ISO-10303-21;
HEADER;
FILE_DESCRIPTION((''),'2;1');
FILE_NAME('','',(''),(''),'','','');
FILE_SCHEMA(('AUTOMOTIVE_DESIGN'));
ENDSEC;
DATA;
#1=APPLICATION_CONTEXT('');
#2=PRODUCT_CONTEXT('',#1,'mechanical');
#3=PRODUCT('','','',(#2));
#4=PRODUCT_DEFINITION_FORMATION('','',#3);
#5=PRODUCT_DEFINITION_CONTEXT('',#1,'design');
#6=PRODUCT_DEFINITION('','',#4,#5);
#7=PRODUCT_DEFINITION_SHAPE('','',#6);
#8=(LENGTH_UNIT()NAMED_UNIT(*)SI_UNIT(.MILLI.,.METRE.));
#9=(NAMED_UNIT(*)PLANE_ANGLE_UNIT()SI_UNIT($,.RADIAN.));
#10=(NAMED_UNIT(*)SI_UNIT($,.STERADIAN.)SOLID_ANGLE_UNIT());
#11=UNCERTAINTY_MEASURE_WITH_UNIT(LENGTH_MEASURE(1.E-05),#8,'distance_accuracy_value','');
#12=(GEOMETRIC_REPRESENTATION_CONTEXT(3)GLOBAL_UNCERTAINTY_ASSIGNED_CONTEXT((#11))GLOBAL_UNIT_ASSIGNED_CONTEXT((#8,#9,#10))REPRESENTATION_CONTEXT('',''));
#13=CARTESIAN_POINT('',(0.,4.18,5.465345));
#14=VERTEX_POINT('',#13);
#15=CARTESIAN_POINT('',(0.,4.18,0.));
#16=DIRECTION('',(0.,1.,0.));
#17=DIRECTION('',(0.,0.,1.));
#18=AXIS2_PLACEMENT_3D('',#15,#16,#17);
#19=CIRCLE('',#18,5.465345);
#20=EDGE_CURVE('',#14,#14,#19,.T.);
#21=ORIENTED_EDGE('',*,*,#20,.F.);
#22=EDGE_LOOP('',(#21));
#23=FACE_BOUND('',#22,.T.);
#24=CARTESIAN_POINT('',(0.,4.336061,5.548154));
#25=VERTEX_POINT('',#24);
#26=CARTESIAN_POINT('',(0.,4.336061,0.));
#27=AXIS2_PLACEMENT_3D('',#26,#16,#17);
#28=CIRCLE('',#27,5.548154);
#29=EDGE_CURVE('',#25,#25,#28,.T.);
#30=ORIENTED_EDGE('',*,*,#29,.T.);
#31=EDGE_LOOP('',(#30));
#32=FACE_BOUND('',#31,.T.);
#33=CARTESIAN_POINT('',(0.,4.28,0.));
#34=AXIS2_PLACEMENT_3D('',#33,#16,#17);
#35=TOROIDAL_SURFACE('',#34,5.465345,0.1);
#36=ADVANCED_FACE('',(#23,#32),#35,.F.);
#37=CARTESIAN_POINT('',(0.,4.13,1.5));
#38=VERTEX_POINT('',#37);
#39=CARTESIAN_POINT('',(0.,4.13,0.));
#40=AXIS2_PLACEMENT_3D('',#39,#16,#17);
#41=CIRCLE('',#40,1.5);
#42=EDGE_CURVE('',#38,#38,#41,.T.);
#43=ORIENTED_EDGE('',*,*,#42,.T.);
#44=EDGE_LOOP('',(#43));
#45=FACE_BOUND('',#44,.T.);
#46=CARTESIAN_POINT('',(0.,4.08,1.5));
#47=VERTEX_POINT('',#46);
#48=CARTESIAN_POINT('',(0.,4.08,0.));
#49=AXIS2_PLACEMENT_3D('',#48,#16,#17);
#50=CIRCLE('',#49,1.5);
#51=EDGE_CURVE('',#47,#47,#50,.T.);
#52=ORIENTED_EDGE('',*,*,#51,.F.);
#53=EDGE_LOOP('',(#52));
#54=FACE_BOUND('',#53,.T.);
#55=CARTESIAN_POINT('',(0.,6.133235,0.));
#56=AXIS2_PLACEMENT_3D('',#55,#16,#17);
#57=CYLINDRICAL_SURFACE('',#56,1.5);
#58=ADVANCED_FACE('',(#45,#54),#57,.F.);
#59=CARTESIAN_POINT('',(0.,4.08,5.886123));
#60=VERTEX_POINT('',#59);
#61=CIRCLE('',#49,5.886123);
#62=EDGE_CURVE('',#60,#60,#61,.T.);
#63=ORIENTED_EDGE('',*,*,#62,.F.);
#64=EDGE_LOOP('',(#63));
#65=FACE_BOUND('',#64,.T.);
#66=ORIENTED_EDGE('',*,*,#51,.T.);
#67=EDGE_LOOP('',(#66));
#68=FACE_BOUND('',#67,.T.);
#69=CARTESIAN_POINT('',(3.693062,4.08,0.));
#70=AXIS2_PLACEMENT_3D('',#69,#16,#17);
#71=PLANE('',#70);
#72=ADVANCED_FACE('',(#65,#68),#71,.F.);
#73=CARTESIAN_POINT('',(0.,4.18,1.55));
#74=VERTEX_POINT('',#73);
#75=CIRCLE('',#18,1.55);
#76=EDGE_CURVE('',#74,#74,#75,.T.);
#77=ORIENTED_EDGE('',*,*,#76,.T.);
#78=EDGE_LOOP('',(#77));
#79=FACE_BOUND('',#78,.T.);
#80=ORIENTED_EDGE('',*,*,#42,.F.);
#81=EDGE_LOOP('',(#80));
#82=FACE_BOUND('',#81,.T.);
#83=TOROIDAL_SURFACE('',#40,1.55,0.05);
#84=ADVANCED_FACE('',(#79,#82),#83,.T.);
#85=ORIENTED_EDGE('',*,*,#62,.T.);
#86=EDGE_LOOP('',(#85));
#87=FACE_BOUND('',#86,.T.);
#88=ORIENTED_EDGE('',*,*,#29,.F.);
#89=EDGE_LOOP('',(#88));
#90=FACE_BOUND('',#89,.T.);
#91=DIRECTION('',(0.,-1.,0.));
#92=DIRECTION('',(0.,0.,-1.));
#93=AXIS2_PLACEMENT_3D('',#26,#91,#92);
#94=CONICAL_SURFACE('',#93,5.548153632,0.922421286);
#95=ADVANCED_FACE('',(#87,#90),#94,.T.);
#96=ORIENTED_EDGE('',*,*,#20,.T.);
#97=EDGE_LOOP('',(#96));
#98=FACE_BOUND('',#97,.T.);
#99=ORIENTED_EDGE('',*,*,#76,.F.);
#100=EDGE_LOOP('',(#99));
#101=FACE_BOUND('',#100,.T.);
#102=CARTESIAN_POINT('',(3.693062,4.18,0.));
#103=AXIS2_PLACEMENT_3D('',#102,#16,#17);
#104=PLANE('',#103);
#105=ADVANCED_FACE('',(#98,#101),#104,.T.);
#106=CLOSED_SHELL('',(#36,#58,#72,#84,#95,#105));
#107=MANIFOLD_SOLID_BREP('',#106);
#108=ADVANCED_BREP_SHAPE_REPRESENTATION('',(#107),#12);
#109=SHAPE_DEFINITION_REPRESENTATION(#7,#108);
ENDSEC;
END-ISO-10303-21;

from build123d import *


with BuildPart() as part:
    # Sketch6 (on Front Plane) → iris (revolve)
    with BuildSketch(Plane.XY):
        with BuildLine():
            Line((5.548153632, 4.336060606), (5.886123402, 4.08))
            Line((5.886123402, 4.08), (5.492861113, 4.08))
            Line((5.492861113, 4.08), (1.5, 4.08))
            Line((1.5, 4.08), (1.5, 4.13))
            ThreePointArc((1.5, 4.13), (1.514644661, 4.165355339), (1.55, 4.18))
            Line((1.55, 4.18), (5.465345369, 4.18))
            ThreePointArc((5.465345369, 4.18), (5.553680131, 4.233128157), (5.548153632, 4.336060606))
        make_face()
    revolve(axis=Axis((0, 6.133234984, 0), (0, -1, 0)))


solid = part.part
